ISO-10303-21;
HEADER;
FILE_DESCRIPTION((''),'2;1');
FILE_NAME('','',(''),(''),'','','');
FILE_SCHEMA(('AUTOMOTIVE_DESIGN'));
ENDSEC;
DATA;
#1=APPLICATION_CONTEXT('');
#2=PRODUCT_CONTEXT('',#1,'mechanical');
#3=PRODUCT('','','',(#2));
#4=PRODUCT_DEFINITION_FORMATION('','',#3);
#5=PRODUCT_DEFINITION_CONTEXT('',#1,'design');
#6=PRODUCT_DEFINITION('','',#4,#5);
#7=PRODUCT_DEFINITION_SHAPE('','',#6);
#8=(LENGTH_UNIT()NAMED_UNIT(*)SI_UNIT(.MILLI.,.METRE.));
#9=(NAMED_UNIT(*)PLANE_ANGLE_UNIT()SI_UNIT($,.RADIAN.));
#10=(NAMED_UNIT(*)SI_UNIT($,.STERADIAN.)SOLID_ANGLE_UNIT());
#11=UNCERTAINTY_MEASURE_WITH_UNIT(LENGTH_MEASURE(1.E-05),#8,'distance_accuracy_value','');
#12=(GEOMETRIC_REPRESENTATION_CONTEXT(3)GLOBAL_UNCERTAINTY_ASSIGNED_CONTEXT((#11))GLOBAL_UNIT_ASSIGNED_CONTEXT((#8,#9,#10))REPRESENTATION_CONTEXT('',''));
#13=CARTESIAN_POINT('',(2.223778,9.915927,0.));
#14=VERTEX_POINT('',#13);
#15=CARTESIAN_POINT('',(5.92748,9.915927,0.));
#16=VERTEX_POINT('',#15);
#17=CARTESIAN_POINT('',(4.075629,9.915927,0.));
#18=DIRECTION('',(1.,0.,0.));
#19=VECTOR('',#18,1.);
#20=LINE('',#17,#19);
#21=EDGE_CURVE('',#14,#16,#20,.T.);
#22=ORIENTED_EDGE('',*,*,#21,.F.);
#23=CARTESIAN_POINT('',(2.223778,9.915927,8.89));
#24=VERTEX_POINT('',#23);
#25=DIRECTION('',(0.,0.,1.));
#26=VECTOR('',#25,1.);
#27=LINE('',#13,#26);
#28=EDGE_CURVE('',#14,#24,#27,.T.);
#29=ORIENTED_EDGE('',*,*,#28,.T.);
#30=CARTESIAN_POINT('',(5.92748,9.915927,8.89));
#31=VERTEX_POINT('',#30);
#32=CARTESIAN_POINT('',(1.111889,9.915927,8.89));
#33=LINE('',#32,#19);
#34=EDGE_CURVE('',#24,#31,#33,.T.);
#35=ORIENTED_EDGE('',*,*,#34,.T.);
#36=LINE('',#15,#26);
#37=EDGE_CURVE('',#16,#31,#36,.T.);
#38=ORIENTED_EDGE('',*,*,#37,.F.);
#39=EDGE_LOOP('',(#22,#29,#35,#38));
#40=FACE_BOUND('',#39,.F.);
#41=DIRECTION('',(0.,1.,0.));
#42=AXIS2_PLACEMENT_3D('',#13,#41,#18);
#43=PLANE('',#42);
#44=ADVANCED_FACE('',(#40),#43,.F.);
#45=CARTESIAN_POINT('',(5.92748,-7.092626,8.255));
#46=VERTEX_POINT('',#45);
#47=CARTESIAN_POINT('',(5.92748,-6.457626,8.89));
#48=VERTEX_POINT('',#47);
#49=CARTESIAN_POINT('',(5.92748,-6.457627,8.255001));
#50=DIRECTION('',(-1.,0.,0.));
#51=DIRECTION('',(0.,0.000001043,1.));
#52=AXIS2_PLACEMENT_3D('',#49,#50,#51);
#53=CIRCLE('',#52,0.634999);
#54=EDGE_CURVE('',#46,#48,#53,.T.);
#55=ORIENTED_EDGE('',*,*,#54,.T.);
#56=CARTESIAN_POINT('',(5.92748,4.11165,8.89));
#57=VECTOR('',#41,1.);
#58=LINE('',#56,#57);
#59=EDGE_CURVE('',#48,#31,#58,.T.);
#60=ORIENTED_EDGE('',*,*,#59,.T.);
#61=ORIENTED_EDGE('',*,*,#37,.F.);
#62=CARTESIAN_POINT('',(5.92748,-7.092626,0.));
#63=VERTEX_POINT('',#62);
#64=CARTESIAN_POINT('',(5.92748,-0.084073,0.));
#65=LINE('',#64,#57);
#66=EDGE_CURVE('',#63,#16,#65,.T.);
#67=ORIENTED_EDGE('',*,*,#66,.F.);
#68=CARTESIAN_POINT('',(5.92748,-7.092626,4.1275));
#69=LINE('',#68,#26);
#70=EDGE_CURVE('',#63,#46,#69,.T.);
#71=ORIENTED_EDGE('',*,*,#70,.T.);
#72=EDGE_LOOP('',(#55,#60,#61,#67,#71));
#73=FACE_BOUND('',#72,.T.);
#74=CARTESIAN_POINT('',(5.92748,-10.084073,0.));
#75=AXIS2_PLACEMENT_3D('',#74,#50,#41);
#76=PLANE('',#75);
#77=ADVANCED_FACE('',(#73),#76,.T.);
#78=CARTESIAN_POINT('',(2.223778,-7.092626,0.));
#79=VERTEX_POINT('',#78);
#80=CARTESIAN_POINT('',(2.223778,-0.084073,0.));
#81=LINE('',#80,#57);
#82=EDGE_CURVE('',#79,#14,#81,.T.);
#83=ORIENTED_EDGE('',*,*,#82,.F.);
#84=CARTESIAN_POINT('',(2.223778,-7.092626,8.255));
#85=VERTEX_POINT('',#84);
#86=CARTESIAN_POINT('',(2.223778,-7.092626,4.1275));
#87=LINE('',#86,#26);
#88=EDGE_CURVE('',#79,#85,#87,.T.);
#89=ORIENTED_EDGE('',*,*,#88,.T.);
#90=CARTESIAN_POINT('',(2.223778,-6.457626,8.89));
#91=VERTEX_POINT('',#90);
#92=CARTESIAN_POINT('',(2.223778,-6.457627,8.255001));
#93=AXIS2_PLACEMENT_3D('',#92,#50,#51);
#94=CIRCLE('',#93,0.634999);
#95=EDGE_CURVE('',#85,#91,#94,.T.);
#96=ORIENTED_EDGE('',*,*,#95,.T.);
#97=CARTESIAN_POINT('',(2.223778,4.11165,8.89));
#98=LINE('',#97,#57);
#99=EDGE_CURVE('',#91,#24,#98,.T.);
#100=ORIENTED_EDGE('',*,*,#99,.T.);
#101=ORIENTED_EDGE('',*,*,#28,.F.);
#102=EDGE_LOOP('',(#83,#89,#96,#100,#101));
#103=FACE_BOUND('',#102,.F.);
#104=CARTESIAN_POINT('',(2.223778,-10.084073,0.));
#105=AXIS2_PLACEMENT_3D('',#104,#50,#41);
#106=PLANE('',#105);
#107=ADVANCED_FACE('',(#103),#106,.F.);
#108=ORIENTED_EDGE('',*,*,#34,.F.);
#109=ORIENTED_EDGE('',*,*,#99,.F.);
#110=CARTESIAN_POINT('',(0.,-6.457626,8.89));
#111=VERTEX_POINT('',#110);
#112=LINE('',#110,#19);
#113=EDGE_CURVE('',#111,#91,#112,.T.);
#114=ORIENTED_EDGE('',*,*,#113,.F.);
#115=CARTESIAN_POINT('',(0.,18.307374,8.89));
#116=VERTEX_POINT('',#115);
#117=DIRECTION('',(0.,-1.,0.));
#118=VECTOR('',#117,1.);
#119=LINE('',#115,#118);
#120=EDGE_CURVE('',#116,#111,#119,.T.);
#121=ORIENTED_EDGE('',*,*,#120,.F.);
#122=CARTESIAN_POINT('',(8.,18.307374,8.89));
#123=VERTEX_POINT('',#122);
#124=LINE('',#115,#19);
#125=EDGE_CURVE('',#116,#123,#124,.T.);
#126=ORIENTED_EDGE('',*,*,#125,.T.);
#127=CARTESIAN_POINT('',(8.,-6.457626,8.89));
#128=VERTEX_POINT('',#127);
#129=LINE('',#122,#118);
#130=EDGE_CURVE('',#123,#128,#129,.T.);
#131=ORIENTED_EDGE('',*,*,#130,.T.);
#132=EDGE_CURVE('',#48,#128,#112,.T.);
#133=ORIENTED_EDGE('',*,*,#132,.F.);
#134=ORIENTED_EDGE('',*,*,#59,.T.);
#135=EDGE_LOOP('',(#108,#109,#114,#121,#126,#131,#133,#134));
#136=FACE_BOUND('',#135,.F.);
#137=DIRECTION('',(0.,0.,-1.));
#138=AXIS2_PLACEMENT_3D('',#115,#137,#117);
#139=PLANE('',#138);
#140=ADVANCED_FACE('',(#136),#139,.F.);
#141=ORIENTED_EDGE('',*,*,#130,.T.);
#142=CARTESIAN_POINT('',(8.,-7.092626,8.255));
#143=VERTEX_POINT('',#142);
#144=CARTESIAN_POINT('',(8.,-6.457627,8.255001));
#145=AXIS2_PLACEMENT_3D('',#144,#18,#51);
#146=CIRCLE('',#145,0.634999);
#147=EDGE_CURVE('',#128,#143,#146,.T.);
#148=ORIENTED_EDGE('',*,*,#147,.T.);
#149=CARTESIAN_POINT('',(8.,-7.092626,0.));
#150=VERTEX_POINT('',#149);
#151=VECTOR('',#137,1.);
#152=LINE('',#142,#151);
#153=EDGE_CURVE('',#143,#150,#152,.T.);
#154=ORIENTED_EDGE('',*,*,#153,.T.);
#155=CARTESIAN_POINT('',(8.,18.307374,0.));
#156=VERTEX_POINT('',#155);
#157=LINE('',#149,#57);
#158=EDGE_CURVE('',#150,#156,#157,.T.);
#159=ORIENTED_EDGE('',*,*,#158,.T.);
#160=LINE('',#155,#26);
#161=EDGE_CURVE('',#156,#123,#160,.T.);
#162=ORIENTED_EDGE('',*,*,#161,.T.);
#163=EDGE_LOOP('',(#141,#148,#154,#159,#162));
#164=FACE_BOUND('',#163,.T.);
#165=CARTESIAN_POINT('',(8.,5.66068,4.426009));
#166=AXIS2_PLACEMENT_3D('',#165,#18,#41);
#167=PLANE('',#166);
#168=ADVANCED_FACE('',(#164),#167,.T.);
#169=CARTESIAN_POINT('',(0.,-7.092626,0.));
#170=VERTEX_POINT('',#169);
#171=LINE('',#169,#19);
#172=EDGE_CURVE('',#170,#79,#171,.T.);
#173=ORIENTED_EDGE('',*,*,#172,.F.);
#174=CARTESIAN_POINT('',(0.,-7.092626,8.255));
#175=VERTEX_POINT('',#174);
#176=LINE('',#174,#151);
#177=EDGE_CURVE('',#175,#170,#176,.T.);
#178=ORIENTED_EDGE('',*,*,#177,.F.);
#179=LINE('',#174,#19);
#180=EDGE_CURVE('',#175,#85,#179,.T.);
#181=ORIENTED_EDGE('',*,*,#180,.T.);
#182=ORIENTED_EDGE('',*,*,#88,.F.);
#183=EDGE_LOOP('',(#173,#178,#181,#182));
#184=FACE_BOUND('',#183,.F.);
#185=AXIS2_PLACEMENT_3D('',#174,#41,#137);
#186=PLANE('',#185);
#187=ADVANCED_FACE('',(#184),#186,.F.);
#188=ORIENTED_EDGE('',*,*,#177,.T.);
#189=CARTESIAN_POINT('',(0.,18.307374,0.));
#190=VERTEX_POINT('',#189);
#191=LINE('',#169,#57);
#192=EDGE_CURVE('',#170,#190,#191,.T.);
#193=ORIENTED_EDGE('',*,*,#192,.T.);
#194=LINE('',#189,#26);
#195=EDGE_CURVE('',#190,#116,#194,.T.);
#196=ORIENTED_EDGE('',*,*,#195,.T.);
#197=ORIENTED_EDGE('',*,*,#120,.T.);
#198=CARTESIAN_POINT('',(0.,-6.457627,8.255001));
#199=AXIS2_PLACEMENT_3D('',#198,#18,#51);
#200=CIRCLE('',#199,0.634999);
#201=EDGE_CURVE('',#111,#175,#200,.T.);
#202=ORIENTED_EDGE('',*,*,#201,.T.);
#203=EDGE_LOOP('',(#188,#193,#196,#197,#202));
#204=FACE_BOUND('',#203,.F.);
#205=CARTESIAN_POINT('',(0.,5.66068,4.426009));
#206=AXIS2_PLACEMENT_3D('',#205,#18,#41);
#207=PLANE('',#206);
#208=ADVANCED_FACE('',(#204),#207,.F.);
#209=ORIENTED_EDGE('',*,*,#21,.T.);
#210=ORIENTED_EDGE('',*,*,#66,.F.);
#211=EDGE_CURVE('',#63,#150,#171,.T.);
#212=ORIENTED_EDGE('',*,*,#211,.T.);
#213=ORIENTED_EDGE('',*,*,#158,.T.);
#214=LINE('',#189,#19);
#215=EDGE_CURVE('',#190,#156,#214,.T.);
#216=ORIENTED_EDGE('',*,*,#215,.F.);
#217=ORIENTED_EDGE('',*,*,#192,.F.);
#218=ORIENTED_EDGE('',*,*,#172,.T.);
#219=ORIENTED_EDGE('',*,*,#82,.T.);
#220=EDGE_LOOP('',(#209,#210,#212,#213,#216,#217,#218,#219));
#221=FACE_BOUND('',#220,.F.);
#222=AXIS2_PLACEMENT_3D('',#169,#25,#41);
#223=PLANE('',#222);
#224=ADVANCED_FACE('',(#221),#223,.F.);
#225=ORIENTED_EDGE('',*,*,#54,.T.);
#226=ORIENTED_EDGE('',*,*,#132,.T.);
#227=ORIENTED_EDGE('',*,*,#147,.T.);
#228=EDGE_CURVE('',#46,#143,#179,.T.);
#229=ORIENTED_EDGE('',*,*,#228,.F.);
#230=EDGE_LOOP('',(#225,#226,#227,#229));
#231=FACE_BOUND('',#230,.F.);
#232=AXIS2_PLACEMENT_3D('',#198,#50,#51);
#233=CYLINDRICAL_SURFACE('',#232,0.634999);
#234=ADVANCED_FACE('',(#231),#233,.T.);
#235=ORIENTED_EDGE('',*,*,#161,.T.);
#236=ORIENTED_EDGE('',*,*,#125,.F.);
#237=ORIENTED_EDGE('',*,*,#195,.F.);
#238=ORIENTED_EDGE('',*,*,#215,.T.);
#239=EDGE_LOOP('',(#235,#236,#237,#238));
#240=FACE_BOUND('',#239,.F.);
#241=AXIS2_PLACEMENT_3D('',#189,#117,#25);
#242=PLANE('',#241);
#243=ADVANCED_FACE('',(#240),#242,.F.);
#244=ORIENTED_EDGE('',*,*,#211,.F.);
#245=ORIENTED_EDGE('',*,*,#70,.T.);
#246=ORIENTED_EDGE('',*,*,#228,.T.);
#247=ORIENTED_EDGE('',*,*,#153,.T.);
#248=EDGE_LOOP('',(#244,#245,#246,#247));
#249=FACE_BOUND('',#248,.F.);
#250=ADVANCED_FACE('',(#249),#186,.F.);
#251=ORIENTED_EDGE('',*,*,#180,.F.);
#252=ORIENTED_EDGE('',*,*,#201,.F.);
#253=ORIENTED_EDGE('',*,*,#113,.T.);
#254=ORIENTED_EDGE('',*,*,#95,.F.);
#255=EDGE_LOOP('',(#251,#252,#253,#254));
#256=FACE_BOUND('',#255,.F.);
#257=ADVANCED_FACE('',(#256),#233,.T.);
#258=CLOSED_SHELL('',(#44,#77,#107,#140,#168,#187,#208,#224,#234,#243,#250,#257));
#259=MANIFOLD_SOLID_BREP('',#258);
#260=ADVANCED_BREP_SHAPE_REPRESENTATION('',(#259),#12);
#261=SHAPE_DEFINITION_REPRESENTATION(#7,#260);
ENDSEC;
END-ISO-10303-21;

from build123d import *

# Parameters (mm, degrees)
F1_DEPTH = 8
F2_W     = 3.703703
F2_H     = 20
F3_DEPTH = 9.30533


with BuildPart() as f1:
    # F0 (on Right) → F1 (new body)
    with BuildSketch(Plane.YZ):
        with BuildLine():
            Line((18.307374, 8.89), (-6.457626, 8.89))
            ThreePointArc((-6.457626, 8.89), (-6.906639, 8.704013), (-7.092626, 8.255))
            Line((-7.092626, 8.255), (-7.092626, 0))
            Line((-7.092626, 0), (18.307374, 0))
            Line((18.307374, 0), (18.307374, 8.89))
        make_face()
    extrude(amount=F1_DEPTH)

    # F2 (on Top) → F3 (cut)
    with BuildSketch(Plane.XY):
        with Locations((4.075629, -0.084073)):
            Rectangle(F2_W, F2_H)
    extrude(amount=F3_DEPTH, mode=Mode.SUBTRACT)


solid = f1.part
